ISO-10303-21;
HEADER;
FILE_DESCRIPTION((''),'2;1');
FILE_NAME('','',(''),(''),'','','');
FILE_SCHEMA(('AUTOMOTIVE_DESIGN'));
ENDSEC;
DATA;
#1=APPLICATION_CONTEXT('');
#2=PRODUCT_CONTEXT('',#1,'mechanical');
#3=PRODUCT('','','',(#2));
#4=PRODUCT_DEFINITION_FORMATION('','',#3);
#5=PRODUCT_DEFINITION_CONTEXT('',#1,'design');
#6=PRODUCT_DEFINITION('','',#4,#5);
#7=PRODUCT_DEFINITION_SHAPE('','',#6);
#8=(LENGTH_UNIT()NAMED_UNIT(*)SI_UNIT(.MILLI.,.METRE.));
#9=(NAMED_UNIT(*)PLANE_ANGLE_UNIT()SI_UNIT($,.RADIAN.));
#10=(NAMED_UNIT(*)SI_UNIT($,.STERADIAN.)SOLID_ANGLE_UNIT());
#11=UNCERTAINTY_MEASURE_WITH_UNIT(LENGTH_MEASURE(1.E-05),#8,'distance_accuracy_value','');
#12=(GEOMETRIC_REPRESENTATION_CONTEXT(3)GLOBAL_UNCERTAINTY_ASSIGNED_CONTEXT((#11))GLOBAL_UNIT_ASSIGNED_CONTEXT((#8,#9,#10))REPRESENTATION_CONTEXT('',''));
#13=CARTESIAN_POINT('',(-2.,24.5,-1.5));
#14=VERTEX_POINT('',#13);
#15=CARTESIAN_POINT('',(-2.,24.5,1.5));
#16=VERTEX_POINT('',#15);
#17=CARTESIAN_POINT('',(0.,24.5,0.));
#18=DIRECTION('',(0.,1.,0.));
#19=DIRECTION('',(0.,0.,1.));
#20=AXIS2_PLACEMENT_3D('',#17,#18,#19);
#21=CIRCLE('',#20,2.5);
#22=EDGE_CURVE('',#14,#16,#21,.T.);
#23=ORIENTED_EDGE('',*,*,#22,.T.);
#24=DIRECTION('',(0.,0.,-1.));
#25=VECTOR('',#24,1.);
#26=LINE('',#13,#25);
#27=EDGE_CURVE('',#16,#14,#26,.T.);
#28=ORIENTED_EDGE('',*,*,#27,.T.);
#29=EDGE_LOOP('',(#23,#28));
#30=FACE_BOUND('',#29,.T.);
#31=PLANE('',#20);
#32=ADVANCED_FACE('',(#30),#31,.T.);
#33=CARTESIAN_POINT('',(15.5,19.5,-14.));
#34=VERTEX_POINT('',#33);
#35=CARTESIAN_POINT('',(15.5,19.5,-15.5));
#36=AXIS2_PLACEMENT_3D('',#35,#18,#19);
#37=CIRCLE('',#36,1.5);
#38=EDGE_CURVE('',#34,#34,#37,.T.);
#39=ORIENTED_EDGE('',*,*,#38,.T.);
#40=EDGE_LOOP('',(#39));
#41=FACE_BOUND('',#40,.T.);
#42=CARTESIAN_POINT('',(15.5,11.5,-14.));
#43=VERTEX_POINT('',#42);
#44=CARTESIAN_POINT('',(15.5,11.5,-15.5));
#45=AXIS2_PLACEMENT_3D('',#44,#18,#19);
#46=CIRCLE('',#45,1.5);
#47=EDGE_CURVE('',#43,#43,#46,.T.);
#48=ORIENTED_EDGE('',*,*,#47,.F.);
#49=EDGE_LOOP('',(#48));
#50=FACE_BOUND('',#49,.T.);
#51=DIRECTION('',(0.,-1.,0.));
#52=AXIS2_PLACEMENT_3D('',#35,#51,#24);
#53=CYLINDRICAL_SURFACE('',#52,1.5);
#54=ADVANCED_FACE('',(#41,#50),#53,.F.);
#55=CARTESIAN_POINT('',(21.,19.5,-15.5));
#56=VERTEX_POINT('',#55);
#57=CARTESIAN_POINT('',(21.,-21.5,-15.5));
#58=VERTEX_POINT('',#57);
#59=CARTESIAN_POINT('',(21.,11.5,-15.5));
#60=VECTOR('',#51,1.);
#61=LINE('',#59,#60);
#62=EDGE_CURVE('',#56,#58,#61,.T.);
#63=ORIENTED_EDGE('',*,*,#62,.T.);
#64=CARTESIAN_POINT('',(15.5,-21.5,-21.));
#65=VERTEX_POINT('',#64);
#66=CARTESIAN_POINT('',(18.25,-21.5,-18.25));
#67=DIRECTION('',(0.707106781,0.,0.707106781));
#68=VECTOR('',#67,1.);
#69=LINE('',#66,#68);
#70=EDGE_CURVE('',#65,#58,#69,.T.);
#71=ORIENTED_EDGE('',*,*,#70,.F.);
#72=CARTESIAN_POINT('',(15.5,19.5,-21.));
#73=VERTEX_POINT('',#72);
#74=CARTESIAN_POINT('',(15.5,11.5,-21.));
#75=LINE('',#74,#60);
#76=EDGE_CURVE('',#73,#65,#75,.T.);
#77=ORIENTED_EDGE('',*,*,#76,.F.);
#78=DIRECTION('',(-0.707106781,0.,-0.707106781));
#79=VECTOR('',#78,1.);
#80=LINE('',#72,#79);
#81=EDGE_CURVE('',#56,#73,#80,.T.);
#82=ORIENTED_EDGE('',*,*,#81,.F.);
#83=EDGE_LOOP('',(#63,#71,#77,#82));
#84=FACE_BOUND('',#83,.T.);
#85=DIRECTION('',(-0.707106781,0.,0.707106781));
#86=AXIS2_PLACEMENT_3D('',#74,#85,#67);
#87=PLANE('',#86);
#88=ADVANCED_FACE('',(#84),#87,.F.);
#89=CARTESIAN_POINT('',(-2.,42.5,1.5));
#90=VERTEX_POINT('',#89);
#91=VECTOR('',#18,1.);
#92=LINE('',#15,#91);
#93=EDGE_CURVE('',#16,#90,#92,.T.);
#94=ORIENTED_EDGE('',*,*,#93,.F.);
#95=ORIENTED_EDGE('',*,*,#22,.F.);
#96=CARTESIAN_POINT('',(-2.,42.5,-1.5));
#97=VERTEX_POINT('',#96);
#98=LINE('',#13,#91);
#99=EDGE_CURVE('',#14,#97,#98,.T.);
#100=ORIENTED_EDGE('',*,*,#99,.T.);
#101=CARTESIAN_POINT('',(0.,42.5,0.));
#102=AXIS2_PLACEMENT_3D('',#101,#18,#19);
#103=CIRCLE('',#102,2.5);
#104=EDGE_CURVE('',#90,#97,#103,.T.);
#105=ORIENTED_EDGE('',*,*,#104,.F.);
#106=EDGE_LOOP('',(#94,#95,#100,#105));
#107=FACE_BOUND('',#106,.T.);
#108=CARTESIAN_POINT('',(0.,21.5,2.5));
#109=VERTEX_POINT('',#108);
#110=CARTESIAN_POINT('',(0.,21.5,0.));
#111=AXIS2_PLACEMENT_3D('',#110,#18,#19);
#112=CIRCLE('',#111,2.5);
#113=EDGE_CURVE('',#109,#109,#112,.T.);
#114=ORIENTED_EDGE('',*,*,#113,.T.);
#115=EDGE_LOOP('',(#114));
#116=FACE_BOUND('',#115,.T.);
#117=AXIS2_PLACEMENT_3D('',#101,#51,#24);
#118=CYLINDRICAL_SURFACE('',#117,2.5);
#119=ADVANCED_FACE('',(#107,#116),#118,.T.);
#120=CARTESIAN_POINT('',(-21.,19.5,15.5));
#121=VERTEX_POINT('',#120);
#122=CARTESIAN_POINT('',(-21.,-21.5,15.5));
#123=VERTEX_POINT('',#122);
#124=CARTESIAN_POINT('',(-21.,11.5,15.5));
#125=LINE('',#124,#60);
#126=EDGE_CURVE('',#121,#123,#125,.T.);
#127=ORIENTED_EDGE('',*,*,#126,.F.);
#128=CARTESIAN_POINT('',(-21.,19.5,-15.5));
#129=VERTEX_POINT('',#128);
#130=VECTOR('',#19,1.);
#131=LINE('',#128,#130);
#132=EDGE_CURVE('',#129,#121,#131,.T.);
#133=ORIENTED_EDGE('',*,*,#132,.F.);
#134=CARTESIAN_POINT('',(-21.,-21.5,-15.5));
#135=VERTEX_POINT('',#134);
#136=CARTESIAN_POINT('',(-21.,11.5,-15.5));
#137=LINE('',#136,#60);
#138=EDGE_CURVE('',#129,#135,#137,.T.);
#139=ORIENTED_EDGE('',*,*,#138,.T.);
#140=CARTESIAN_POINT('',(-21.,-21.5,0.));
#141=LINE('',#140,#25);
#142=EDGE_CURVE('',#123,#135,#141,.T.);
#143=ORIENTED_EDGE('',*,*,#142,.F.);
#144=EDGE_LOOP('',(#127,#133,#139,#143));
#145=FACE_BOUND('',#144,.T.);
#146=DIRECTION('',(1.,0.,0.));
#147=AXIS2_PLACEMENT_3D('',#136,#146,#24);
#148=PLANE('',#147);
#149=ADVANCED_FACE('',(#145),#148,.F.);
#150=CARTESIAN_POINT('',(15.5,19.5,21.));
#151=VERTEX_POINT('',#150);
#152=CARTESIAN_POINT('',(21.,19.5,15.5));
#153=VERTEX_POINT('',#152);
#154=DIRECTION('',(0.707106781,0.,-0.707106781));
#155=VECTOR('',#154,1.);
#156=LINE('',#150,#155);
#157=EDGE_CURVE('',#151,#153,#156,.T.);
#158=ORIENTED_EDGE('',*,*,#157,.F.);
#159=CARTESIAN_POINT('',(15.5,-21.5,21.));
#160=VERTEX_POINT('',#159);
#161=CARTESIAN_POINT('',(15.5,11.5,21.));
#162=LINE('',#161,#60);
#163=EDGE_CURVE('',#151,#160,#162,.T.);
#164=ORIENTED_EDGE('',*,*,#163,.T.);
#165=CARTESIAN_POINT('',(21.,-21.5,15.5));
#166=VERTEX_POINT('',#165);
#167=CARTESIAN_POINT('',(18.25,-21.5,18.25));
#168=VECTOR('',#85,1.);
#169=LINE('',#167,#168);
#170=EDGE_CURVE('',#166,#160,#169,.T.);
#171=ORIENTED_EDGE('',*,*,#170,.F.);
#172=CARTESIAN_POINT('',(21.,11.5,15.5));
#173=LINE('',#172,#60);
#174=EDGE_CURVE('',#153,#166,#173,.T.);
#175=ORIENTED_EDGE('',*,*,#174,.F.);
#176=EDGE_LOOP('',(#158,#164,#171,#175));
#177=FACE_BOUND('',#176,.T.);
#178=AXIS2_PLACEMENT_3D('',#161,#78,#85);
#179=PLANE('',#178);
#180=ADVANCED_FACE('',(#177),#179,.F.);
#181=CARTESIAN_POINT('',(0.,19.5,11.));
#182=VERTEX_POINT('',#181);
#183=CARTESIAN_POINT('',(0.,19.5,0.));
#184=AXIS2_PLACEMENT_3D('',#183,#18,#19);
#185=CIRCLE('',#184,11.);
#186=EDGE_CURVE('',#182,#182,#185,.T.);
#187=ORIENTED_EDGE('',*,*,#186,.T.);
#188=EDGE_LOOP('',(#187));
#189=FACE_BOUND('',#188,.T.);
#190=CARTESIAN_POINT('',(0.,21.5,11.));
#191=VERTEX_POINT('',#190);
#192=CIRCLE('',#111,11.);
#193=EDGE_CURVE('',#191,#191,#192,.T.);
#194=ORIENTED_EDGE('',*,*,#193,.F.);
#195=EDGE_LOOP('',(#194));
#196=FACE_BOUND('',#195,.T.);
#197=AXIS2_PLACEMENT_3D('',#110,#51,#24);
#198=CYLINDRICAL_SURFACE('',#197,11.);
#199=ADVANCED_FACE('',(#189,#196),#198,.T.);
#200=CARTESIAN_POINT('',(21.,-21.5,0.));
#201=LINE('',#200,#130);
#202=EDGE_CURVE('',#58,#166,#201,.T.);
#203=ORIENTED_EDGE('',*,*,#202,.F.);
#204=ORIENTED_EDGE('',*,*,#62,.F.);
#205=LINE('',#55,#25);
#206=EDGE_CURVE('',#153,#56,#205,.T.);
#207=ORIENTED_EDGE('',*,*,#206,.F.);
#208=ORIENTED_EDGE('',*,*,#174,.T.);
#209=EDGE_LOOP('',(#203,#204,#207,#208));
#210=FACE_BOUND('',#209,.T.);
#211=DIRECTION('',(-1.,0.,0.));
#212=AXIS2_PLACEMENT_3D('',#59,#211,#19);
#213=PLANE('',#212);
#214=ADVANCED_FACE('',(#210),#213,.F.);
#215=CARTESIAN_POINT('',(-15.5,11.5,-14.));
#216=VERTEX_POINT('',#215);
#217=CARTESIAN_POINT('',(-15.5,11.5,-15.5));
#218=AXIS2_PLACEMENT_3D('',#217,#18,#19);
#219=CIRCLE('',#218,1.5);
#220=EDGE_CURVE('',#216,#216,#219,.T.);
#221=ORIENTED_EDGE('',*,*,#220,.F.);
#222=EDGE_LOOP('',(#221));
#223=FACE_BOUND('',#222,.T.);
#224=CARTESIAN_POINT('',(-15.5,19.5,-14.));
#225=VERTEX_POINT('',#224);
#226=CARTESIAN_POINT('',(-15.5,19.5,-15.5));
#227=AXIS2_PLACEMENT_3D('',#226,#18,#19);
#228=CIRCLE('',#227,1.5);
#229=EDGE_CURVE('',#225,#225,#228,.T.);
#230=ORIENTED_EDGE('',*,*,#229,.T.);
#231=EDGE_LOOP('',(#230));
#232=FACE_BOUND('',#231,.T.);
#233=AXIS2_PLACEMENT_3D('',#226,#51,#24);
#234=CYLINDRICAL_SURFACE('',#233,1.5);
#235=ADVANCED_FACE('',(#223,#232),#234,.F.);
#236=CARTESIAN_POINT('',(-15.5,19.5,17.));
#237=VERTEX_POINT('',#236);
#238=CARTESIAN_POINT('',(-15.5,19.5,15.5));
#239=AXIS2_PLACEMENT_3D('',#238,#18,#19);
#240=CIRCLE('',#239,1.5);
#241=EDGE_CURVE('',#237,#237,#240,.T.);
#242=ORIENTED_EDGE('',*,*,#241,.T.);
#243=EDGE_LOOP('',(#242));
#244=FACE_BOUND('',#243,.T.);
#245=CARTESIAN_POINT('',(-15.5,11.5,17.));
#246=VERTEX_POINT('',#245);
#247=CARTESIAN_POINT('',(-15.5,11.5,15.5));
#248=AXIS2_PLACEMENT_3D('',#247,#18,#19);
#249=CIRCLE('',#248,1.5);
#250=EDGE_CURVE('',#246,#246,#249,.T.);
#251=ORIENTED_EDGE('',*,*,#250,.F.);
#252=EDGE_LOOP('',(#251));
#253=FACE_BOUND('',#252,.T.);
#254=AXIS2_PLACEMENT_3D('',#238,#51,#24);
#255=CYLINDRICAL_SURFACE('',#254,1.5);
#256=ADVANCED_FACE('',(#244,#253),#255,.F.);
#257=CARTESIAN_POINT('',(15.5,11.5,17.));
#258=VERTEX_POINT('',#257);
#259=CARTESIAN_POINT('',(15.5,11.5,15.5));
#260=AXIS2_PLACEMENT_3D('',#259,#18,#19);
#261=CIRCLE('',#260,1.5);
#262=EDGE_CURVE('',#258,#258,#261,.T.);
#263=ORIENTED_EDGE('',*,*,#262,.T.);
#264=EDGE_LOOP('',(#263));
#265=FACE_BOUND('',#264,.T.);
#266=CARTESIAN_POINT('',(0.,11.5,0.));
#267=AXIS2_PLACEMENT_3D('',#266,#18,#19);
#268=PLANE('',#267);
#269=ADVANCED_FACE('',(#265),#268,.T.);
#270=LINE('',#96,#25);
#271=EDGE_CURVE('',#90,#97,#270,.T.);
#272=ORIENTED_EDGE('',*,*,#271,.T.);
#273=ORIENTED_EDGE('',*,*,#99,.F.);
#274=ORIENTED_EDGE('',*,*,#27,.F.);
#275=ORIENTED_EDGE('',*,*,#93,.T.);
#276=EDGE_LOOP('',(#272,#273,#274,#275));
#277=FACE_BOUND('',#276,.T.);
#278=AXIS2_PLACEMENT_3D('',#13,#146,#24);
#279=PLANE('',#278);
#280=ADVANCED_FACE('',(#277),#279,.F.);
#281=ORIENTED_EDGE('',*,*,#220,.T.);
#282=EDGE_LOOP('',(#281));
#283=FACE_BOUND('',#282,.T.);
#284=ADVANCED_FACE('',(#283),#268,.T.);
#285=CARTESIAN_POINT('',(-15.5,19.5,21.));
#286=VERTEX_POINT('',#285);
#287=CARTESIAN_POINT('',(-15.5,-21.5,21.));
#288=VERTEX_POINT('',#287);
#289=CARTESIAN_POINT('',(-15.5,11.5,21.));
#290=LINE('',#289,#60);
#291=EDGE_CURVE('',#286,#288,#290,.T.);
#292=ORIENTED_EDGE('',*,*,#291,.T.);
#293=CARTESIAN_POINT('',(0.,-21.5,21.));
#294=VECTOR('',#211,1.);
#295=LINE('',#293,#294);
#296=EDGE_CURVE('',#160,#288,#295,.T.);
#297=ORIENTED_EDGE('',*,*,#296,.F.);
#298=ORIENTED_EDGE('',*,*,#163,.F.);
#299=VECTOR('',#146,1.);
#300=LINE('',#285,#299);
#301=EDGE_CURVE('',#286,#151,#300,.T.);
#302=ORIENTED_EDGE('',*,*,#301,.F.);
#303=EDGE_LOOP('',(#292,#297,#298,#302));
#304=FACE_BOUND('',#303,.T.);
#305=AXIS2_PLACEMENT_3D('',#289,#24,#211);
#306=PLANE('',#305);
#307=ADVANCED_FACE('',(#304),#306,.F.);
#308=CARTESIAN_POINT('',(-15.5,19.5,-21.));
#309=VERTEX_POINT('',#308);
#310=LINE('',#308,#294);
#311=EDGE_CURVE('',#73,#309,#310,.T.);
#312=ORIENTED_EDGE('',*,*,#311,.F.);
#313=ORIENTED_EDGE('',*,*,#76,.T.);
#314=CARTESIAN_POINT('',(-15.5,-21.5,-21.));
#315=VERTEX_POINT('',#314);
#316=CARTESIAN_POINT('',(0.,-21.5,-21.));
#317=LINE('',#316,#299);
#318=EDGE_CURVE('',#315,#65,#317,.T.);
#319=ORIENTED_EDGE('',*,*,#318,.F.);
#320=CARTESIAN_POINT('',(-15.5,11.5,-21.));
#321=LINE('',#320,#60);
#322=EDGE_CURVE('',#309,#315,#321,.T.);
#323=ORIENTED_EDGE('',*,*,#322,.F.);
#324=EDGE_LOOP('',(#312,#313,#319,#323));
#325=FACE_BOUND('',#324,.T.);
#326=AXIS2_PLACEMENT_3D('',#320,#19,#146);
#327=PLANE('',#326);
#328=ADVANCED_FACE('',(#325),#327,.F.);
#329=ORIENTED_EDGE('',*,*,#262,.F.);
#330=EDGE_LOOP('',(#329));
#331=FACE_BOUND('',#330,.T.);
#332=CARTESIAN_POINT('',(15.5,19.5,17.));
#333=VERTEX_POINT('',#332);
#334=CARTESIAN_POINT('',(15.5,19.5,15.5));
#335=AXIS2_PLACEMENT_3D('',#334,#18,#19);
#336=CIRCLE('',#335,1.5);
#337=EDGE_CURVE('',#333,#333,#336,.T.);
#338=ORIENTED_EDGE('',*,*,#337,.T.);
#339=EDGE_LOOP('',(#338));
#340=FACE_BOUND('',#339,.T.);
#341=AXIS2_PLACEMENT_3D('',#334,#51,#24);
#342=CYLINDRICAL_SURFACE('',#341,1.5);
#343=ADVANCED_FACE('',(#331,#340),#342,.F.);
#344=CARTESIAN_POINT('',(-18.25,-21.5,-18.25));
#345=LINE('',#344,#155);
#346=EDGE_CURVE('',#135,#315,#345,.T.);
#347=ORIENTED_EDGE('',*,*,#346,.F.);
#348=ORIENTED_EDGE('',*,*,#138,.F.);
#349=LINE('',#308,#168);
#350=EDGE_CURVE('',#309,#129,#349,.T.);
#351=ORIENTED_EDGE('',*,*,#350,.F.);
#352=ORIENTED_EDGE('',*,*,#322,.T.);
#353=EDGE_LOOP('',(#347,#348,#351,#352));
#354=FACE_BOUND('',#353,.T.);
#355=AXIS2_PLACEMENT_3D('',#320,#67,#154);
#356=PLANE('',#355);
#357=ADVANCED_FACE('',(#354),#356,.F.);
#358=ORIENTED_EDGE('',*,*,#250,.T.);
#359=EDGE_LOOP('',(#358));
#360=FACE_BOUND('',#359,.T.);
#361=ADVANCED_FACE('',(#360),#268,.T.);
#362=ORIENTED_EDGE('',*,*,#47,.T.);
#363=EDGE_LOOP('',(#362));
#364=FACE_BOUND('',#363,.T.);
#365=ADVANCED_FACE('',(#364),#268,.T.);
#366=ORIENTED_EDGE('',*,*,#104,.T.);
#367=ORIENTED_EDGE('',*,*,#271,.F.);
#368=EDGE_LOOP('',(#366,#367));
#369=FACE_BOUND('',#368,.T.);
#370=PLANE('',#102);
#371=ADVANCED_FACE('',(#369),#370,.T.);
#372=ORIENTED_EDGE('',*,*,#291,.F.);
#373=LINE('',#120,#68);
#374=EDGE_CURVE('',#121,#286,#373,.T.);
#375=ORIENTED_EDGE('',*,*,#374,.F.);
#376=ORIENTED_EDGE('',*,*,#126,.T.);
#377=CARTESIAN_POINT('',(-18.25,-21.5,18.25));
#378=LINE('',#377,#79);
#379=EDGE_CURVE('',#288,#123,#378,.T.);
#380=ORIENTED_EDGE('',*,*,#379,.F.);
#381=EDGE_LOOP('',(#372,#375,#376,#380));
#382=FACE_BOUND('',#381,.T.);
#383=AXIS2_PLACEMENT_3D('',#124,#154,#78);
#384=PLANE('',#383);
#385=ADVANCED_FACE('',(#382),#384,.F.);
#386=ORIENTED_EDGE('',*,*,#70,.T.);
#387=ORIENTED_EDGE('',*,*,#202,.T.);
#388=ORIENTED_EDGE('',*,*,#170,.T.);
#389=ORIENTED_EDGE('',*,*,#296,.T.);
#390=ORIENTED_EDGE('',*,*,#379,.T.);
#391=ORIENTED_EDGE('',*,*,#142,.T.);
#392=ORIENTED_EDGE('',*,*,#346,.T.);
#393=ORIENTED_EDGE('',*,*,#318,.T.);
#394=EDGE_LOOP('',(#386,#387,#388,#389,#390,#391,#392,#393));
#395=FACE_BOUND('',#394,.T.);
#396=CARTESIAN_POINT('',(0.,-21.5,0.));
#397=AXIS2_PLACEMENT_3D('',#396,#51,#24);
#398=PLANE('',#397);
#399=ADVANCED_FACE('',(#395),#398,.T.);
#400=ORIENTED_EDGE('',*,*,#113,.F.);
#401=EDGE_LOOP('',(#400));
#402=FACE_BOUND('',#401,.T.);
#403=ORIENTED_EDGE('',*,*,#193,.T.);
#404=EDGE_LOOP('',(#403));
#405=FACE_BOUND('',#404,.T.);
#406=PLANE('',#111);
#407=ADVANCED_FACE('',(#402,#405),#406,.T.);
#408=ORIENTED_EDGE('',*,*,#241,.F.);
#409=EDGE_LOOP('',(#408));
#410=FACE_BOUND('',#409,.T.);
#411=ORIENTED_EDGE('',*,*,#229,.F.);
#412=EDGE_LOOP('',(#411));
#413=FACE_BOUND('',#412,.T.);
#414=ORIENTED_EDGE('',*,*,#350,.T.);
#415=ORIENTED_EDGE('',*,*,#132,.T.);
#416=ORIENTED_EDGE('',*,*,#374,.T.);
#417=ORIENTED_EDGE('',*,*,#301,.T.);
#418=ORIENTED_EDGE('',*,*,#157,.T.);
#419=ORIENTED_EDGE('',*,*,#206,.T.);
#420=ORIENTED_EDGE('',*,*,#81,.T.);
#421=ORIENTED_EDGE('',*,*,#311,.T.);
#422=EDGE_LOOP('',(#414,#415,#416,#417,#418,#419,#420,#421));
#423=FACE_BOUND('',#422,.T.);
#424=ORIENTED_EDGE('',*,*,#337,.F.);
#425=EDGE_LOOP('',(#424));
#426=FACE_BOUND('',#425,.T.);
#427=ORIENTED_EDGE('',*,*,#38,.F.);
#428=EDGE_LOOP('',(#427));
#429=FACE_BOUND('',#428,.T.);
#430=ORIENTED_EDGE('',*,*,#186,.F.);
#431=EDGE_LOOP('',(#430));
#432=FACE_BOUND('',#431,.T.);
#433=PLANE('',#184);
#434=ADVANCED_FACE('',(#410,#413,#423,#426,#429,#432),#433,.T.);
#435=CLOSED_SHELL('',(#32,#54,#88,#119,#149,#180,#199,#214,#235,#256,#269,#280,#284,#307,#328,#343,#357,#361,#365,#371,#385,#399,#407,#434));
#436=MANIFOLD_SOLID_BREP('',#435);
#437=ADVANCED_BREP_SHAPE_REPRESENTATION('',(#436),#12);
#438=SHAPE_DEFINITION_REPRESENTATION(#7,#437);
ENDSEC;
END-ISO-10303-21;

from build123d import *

# Parameters (mm, degrees)
BOSS_EXTRUDE1_DEPTH = 11.5
BOSS_EXTRUDE2_DEPTH = 10
SKETCH4_R           = 1.5
BOSS_EXTRUDE3_DEPTH = 8
SKETCH5_R           = 11
BOSS_EXTRUDE4_DEPTH = 2
SKETCH6_R           = 2.5
BOSS_EXTRUDE5_DEPTH = 21
CUT_EXTRUDE1_DEPTH  = 18


with BuildPart() as part:
    # Sketch1 → Boss-Extrude1 (new body, symmetric)
    with BuildSketch(Plane(origin=(0, 0, 0), x_dir=(1, 0, 0), z_dir=(0, 1, 0))):
        Polygon((-15.5, -21), (15.5, -21), (21, -15.5), (21, 15.5), (15.5, 21), (-15.5, 21), (-21, 15.5), (-21, -15.5), align=None)
    extrude(amount=BOSS_EXTRUDE1_DEPTH, both=True)

    # Sketch3 → Boss-Extrude2 (add)
    with BuildSketch(Plane.XZ.offset(11.5)):
        Polygon((15.5, 21), (-15.5, 21), (-21, 15.5), (-21, -15.5), (-15.5, -21), (15.5, -21), (21, -15.5), (21, 15.5), align=None)
    extrude(amount=BOSS_EXTRUDE2_DEPTH)

    # Sketch4 → Boss-Extrude3 (add)
    with BuildSketch(Plane(origin=(0, 11.5, 0), x_dir=(1, 0, 0), z_dir=(0, 1, 0))):
        Polygon((-15.5, -21), (15.5, -21), (21, -15.5), (21, 15.5), (15.5, 21), (-15.5, 21), (-21, 15.5), (-21, -15.5), align=None)
        with Locations((-15.5, 15.5)):
            Circle(SKETCH4_R, mode=Mode.SUBTRACT)
        with Locations((15.5, 15.5)):
            Circle(SKETCH4_R, mode=Mode.SUBTRACT)
        with Locations((-15.5, -15.5)):
            Circle(SKETCH4_R, mode=Mode.SUBTRACT)
        with Locations((15.5, -15.5)):
            Circle(SKETCH4_R, mode=Mode.SUBTRACT)
    extrude(amount=BOSS_EXTRUDE3_DEPTH)

    # Sketch5 → Boss-Extrude4 (add)
    with BuildSketch(Plane(origin=(0, 19.5, 0), x_dir=(1, 0, 0), z_dir=(0, 1, 0))):
        Circle(SKETCH5_R)
    extrude(amount=BOSS_EXTRUDE4_DEPTH)

    # Sketch6 → Boss-Extrude5 (add)
    with BuildSketch(Plane(origin=(0, 21.5, 0), x_dir=(1, 0, 0), z_dir=(0, 1, 0))):
        Circle(SKETCH6_R)
    extrude(amount=BOSS_EXTRUDE5_DEPTH)

    # Sketch9 → Cut-Extrude1 (cut)
    with BuildSketch(Plane(origin=(0, 42.5, 0), x_dir=(1, 0, 0), z_dir=(0, 1, 0))):
        with BuildLine():
            Line((-2, 1.5), (-2, -1.5))
            ThreePointArc((-2, -1.5), (-2.5, 0), (-2, 1.5))
        make_face()
    extrude(amount=-CUT_EXTRUDE1_DEPTH, mode=Mode.SUBTRACT)


solid = part.part
